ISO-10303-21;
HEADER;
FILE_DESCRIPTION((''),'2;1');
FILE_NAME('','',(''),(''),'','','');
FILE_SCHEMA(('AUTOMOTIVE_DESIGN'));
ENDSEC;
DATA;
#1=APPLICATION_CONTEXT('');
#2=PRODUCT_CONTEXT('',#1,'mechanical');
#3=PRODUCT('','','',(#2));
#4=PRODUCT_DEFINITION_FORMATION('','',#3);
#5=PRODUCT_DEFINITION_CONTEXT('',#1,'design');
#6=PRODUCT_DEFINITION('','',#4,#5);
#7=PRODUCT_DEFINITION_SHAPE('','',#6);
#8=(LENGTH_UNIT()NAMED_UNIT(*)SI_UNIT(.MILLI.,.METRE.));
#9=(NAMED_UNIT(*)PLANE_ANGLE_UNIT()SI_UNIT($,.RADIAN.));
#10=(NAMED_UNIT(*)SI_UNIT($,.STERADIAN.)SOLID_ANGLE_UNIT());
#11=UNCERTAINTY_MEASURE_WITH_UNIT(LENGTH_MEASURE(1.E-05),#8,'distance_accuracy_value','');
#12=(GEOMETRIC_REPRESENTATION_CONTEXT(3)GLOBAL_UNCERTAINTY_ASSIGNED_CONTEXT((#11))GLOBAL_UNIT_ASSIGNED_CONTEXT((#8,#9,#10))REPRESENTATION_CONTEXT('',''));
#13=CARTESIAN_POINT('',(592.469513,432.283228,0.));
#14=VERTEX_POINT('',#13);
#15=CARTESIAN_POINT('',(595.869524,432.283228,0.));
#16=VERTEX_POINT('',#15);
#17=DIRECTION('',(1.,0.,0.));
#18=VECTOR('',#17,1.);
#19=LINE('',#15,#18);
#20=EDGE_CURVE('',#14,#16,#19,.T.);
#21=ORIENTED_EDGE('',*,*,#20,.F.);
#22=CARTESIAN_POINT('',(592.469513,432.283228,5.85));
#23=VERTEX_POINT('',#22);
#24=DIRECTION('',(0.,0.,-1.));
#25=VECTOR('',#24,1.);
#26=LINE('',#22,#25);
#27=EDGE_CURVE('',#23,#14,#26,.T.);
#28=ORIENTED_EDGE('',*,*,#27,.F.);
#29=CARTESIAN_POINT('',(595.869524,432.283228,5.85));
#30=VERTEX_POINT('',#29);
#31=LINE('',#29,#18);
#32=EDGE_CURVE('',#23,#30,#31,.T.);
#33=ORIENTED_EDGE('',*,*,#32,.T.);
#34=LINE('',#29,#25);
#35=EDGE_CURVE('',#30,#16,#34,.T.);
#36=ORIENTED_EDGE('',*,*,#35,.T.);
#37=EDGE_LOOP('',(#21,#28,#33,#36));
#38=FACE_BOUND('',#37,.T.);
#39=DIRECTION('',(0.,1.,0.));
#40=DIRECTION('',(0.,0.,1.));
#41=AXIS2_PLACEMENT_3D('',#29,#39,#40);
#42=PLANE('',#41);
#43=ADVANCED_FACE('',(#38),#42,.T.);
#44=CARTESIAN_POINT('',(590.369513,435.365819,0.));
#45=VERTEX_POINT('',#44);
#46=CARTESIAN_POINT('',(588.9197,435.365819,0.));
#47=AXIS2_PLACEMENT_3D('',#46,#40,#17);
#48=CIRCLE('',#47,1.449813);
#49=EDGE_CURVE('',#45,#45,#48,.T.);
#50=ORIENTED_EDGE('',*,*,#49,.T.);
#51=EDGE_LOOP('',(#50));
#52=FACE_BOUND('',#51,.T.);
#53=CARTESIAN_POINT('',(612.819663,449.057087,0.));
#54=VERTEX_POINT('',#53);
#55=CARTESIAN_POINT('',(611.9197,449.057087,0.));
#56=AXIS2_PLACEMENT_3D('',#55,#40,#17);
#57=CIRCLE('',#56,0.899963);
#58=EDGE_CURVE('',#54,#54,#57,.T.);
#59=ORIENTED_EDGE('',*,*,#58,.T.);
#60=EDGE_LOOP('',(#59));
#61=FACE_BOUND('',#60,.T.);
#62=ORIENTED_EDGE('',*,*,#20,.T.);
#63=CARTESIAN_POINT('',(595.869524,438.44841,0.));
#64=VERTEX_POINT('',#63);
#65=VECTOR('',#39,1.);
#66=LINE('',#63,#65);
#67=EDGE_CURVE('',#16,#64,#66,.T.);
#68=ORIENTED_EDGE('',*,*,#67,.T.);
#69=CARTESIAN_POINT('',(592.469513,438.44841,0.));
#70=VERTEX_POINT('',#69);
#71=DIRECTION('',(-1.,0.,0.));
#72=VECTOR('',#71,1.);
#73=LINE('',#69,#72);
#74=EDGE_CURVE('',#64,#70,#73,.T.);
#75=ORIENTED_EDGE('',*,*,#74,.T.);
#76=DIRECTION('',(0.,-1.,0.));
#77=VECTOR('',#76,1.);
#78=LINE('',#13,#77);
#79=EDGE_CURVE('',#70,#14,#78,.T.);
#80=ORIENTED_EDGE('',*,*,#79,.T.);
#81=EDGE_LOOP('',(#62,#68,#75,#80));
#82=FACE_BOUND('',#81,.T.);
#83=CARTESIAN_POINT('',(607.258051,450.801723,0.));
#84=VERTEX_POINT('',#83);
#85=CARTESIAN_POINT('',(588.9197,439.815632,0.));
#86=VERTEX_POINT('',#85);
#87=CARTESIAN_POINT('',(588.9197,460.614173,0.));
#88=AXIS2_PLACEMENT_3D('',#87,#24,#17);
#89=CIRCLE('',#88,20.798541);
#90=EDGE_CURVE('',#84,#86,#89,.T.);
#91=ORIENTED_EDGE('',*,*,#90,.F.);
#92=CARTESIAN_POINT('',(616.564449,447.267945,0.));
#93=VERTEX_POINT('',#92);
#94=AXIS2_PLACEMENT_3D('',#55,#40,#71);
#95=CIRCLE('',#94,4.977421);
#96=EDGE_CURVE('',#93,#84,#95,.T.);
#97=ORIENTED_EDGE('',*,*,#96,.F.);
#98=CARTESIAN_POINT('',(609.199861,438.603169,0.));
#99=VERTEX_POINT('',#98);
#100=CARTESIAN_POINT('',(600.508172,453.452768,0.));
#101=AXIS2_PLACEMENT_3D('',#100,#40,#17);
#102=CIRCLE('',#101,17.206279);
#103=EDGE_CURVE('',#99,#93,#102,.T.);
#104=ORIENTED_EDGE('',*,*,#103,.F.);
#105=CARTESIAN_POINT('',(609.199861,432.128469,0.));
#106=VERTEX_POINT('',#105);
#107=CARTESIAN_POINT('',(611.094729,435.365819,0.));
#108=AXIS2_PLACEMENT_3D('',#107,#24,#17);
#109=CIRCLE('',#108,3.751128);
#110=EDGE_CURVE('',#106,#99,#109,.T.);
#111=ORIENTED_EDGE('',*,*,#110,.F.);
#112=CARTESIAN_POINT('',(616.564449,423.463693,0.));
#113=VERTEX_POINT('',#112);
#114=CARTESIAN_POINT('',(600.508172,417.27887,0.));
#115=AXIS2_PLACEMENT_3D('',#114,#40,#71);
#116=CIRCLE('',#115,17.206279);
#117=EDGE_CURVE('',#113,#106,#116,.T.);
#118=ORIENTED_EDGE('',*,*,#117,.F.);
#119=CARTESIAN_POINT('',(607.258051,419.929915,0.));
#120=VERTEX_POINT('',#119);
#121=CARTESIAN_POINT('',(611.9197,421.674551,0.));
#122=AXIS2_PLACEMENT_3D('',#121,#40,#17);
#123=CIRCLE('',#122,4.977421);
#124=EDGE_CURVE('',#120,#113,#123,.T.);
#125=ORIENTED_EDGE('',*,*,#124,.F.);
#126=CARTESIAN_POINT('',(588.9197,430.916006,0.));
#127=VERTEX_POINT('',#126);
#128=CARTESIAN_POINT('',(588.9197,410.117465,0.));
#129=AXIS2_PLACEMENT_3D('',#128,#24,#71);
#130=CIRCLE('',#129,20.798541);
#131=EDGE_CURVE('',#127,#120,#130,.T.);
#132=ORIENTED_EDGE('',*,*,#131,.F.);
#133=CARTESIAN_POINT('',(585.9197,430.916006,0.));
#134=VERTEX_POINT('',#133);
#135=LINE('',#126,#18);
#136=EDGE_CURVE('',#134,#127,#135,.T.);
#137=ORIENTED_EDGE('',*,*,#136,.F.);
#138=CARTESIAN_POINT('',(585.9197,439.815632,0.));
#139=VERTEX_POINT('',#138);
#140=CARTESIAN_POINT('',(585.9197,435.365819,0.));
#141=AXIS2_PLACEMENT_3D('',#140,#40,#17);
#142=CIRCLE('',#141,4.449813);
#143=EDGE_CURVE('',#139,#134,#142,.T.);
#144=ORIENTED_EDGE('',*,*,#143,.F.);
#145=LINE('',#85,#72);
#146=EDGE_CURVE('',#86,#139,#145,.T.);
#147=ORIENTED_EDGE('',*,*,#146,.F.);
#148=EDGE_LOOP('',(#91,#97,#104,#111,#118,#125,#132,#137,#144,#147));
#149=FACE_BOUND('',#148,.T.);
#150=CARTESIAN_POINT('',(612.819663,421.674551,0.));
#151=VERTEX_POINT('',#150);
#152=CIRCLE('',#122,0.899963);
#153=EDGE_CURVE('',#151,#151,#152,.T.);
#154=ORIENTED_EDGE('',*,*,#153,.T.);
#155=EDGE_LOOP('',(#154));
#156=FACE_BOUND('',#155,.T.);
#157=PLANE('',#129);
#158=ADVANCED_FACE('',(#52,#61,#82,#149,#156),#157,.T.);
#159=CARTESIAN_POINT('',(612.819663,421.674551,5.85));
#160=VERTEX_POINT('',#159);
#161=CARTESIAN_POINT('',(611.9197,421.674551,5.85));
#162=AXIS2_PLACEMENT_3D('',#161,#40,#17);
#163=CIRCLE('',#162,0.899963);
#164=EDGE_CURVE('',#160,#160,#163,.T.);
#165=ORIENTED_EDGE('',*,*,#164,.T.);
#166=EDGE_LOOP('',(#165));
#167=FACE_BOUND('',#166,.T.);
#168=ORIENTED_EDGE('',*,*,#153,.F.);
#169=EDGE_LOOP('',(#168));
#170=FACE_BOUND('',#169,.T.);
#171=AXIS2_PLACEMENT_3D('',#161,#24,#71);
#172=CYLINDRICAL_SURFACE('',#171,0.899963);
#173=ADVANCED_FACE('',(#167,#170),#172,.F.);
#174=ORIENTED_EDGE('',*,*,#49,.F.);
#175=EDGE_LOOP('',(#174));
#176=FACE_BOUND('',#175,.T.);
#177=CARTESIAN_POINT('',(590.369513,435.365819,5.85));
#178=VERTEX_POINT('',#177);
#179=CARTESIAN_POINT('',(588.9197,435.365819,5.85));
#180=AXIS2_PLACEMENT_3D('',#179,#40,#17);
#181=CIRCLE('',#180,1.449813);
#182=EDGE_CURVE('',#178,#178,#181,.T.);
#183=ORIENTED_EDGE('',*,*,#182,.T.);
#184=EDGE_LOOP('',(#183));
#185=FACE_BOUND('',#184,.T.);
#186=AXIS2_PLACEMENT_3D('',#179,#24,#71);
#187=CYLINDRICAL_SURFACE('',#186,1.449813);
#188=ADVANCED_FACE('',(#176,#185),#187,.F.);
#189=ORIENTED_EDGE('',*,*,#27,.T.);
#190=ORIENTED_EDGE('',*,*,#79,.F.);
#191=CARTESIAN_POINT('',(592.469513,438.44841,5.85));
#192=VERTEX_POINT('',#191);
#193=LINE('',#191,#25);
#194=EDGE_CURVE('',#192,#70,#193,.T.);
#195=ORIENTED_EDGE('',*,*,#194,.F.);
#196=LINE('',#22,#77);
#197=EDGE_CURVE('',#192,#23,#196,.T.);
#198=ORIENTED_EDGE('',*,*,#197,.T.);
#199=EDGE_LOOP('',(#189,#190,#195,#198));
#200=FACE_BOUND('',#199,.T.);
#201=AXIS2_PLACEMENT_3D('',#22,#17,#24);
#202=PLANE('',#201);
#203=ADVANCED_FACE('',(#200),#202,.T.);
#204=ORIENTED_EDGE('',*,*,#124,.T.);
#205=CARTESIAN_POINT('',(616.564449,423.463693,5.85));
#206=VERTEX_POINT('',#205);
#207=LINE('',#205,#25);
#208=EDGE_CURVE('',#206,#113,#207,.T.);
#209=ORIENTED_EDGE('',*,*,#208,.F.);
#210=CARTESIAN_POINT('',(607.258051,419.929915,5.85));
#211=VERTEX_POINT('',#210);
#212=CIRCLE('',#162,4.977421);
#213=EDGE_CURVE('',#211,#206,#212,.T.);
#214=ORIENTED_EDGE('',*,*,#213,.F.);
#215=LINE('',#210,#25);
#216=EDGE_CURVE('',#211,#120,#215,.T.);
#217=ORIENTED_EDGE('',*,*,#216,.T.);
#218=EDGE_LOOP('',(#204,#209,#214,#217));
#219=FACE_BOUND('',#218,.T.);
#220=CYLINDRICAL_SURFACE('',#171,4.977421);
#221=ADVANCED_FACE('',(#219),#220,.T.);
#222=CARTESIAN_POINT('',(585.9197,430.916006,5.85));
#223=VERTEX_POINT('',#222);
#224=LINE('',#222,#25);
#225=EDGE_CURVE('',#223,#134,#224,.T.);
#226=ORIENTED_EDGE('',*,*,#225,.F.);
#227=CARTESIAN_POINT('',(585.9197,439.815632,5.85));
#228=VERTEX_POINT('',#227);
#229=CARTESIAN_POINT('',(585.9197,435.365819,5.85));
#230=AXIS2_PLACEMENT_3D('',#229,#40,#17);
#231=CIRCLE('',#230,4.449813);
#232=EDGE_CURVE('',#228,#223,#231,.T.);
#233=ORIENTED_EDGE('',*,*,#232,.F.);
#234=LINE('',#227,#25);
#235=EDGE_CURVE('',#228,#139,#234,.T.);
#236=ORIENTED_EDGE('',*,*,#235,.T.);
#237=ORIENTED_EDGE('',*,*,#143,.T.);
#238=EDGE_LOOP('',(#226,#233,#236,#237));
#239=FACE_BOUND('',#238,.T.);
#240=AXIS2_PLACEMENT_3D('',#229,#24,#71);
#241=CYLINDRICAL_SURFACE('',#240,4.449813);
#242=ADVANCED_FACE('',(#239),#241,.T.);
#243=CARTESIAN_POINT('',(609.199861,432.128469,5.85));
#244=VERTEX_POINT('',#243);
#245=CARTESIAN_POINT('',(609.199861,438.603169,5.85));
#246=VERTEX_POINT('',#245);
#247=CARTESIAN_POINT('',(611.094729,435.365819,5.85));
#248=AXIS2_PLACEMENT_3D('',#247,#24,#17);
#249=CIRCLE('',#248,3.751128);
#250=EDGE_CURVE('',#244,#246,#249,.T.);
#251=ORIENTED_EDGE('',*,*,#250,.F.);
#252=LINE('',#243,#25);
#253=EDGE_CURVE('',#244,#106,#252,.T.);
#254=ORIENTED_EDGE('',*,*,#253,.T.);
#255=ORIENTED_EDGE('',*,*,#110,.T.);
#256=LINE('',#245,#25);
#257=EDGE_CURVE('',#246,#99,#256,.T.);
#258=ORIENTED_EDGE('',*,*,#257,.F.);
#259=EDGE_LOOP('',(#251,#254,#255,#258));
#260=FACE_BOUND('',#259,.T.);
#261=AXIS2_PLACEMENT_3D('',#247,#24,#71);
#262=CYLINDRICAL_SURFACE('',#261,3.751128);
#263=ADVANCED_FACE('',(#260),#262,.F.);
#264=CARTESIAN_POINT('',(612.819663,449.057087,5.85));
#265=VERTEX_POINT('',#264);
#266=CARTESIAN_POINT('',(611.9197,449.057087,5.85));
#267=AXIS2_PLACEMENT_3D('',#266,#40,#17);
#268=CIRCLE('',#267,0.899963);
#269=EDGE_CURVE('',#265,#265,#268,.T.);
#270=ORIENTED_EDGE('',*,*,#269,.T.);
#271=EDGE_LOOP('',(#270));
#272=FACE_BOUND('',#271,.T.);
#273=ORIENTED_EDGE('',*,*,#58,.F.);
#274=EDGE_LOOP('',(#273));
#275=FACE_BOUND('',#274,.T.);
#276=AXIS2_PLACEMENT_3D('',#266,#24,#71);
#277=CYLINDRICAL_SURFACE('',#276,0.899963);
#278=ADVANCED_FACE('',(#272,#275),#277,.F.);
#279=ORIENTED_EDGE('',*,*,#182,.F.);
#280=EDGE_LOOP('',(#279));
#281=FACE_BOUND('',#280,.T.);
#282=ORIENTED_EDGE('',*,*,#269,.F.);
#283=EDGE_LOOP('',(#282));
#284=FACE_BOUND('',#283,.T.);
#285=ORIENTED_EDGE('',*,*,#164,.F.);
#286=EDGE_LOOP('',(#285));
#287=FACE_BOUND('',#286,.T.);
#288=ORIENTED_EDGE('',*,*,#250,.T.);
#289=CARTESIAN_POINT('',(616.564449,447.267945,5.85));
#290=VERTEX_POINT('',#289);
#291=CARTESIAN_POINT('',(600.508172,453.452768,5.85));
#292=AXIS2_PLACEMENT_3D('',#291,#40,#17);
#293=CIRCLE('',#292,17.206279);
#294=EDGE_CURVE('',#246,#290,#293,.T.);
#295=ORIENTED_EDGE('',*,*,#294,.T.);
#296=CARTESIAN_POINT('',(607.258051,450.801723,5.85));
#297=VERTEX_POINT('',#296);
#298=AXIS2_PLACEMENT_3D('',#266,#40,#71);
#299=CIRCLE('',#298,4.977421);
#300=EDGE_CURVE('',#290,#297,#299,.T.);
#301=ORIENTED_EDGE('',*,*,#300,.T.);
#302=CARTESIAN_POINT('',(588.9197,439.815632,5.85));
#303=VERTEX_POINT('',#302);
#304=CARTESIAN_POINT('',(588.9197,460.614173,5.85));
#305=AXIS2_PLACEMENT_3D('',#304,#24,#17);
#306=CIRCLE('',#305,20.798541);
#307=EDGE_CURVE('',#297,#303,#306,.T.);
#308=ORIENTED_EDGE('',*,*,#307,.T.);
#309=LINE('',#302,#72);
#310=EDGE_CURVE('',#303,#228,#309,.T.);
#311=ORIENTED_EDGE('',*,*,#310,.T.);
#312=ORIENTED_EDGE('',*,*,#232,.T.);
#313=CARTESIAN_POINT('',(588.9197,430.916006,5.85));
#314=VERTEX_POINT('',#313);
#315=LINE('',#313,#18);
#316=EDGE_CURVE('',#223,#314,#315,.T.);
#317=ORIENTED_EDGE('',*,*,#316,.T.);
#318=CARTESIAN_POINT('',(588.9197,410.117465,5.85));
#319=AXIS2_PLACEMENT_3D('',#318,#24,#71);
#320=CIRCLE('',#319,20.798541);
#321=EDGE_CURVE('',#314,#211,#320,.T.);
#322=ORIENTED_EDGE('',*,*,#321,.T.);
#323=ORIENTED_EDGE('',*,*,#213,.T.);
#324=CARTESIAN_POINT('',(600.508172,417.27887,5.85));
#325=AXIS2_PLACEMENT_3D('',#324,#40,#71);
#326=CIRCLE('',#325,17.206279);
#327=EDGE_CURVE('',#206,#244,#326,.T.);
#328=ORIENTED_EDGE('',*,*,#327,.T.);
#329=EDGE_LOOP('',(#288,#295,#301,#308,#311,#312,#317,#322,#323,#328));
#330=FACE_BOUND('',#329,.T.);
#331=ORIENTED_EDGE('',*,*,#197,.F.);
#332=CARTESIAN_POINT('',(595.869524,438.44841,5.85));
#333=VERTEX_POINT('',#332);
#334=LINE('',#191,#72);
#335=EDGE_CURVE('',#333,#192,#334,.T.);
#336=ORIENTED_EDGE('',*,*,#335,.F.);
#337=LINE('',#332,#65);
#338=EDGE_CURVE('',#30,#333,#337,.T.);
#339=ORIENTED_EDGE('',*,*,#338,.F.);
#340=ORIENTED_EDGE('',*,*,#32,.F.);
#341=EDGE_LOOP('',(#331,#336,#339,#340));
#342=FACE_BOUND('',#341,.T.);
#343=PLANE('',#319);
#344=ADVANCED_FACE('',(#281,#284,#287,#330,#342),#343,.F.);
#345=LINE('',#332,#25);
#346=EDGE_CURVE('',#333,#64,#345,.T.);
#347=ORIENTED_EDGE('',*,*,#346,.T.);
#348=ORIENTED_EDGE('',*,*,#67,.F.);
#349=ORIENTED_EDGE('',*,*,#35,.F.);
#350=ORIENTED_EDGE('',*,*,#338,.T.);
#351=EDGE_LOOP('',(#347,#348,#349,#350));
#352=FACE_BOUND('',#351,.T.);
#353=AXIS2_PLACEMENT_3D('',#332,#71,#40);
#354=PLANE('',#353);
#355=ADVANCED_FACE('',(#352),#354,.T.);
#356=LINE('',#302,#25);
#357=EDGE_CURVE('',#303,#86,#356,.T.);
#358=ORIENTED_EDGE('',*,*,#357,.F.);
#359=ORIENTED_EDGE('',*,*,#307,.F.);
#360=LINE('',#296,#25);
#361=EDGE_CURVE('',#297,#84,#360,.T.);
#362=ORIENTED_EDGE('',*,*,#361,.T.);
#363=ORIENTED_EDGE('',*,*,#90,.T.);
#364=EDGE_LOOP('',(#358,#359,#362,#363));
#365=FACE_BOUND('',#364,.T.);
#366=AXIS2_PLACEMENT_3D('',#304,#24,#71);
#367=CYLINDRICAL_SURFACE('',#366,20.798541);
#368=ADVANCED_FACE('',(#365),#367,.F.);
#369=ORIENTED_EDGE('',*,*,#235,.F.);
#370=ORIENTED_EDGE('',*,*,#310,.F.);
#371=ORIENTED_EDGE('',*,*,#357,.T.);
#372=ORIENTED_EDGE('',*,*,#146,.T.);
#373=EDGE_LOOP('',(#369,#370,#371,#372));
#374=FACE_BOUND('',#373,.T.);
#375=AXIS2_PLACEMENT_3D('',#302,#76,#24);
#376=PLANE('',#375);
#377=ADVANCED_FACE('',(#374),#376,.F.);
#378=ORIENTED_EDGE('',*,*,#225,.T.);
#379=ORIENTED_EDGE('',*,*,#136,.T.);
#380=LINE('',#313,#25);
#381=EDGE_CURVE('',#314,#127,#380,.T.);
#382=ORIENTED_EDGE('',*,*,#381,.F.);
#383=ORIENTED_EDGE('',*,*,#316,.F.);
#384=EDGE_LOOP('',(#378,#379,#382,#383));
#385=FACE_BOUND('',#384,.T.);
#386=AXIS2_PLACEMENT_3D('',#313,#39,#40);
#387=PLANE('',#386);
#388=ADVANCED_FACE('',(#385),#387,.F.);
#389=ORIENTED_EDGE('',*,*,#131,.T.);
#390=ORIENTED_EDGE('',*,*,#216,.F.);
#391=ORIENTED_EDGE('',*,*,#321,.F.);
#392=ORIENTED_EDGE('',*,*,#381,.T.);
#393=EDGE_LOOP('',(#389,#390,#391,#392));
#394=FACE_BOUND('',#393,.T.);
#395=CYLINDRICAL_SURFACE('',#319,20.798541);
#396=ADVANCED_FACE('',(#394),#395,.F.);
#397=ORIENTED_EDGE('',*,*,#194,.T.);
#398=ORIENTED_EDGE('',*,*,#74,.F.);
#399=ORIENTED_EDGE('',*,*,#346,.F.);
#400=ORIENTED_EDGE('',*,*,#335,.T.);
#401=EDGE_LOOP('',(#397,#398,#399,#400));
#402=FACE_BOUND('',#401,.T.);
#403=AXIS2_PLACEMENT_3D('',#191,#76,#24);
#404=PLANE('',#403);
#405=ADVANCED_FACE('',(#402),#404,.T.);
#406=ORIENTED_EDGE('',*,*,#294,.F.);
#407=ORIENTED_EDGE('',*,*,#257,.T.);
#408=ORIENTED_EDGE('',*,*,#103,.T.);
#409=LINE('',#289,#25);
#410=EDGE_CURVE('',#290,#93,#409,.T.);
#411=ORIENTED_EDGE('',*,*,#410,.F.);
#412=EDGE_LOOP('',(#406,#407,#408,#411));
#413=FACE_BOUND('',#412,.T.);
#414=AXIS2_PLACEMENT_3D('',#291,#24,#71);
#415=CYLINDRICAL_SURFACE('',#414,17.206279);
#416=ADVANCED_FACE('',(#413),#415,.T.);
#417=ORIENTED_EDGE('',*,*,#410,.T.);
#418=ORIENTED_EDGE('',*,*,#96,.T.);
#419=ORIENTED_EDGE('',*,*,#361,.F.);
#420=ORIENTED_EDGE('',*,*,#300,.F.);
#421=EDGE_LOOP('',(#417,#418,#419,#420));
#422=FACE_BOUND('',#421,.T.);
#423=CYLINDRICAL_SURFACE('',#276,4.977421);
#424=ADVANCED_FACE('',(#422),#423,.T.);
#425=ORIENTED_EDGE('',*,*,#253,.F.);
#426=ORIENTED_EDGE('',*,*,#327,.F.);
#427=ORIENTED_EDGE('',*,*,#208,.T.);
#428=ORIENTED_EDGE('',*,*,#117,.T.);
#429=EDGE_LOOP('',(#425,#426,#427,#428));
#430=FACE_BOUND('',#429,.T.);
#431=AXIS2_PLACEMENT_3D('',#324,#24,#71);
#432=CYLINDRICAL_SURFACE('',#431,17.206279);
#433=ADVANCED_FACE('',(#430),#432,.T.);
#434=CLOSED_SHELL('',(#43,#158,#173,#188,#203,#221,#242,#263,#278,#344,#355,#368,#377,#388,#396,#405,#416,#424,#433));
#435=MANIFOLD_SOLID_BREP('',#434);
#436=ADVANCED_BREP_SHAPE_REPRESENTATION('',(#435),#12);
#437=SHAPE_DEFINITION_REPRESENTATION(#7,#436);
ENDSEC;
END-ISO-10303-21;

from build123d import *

# Parameters (mm, degrees)
SKETCH1_R           = 0.899963
SKETCH1_R_2         = 1.449813
SKETCH1_W           = 3.400011
SKETCH1_H           = 6.165182777
BOSS_EXTRUDE1_DEPTH = 5.85


with BuildPart() as part:
    # Sketch1 → Boss-Extrude1 (new body)
    with BuildSketch(Plane.XY):
        with BuildLine():
            Line((588.919699582, 439.815632013), (585.919699582, 439.815632013))
            ThreePointArc((585.919699582, 439.815632013), (581.469886582, 435.365819013), (585.919699582, 430.916006013))
            Line((585.919699582, 430.916006013), (588.919699582, 430.916006013))
            ThreePointArc((588.919699582, 430.916006013), (599.608353975, 427.959325253), (607.258051132, 419.92991511))
            ThreePointArc((607.258051132, 419.92991511), (613.686608593, 417.021299318), (616.564448765, 423.463692724))
            ThreePointArc((616.564448765, 423.463692724), (613.618665462, 428.422075059), (609.199860767, 432.128469496))
            ThreePointArc((609.199860767, 432.128469496), (607.343601507, 435.365819013), (609.199860767, 438.603168531))
            ThreePointArc((609.199860767, 438.603168531), (613.618665462, 442.309562968), (616.564448765, 447.267945303))
            ThreePointArc((616.564448765, 447.267945303), (613.686608593, 453.710338709), (607.258051132, 450.801722917))
            ThreePointArc((607.258051132, 450.801722917), (599.608353975, 442.772312774), (588.919699582, 439.815632013))
        make_face()
        with Locations((611.919699582, 449.057086685)):
            Circle(SKETCH1_R, mode=Mode.SUBTRACT)
        with Locations((611.919699582, 421.674551342)):
            Circle(SKETCH1_R, mode=Mode.SUBTRACT)
        with Locations((588.919699582, 435.365819013)):
            Circle(SKETCH1_R_2, mode=Mode.SUBTRACT)
        with Locations((594.169518082, 435.365819014)):
            Rectangle(SKETCH1_W, SKETCH1_H, mode=Mode.SUBTRACT)
    extrude(amount=BOSS_EXTRUDE1_DEPTH)


solid = part.part
